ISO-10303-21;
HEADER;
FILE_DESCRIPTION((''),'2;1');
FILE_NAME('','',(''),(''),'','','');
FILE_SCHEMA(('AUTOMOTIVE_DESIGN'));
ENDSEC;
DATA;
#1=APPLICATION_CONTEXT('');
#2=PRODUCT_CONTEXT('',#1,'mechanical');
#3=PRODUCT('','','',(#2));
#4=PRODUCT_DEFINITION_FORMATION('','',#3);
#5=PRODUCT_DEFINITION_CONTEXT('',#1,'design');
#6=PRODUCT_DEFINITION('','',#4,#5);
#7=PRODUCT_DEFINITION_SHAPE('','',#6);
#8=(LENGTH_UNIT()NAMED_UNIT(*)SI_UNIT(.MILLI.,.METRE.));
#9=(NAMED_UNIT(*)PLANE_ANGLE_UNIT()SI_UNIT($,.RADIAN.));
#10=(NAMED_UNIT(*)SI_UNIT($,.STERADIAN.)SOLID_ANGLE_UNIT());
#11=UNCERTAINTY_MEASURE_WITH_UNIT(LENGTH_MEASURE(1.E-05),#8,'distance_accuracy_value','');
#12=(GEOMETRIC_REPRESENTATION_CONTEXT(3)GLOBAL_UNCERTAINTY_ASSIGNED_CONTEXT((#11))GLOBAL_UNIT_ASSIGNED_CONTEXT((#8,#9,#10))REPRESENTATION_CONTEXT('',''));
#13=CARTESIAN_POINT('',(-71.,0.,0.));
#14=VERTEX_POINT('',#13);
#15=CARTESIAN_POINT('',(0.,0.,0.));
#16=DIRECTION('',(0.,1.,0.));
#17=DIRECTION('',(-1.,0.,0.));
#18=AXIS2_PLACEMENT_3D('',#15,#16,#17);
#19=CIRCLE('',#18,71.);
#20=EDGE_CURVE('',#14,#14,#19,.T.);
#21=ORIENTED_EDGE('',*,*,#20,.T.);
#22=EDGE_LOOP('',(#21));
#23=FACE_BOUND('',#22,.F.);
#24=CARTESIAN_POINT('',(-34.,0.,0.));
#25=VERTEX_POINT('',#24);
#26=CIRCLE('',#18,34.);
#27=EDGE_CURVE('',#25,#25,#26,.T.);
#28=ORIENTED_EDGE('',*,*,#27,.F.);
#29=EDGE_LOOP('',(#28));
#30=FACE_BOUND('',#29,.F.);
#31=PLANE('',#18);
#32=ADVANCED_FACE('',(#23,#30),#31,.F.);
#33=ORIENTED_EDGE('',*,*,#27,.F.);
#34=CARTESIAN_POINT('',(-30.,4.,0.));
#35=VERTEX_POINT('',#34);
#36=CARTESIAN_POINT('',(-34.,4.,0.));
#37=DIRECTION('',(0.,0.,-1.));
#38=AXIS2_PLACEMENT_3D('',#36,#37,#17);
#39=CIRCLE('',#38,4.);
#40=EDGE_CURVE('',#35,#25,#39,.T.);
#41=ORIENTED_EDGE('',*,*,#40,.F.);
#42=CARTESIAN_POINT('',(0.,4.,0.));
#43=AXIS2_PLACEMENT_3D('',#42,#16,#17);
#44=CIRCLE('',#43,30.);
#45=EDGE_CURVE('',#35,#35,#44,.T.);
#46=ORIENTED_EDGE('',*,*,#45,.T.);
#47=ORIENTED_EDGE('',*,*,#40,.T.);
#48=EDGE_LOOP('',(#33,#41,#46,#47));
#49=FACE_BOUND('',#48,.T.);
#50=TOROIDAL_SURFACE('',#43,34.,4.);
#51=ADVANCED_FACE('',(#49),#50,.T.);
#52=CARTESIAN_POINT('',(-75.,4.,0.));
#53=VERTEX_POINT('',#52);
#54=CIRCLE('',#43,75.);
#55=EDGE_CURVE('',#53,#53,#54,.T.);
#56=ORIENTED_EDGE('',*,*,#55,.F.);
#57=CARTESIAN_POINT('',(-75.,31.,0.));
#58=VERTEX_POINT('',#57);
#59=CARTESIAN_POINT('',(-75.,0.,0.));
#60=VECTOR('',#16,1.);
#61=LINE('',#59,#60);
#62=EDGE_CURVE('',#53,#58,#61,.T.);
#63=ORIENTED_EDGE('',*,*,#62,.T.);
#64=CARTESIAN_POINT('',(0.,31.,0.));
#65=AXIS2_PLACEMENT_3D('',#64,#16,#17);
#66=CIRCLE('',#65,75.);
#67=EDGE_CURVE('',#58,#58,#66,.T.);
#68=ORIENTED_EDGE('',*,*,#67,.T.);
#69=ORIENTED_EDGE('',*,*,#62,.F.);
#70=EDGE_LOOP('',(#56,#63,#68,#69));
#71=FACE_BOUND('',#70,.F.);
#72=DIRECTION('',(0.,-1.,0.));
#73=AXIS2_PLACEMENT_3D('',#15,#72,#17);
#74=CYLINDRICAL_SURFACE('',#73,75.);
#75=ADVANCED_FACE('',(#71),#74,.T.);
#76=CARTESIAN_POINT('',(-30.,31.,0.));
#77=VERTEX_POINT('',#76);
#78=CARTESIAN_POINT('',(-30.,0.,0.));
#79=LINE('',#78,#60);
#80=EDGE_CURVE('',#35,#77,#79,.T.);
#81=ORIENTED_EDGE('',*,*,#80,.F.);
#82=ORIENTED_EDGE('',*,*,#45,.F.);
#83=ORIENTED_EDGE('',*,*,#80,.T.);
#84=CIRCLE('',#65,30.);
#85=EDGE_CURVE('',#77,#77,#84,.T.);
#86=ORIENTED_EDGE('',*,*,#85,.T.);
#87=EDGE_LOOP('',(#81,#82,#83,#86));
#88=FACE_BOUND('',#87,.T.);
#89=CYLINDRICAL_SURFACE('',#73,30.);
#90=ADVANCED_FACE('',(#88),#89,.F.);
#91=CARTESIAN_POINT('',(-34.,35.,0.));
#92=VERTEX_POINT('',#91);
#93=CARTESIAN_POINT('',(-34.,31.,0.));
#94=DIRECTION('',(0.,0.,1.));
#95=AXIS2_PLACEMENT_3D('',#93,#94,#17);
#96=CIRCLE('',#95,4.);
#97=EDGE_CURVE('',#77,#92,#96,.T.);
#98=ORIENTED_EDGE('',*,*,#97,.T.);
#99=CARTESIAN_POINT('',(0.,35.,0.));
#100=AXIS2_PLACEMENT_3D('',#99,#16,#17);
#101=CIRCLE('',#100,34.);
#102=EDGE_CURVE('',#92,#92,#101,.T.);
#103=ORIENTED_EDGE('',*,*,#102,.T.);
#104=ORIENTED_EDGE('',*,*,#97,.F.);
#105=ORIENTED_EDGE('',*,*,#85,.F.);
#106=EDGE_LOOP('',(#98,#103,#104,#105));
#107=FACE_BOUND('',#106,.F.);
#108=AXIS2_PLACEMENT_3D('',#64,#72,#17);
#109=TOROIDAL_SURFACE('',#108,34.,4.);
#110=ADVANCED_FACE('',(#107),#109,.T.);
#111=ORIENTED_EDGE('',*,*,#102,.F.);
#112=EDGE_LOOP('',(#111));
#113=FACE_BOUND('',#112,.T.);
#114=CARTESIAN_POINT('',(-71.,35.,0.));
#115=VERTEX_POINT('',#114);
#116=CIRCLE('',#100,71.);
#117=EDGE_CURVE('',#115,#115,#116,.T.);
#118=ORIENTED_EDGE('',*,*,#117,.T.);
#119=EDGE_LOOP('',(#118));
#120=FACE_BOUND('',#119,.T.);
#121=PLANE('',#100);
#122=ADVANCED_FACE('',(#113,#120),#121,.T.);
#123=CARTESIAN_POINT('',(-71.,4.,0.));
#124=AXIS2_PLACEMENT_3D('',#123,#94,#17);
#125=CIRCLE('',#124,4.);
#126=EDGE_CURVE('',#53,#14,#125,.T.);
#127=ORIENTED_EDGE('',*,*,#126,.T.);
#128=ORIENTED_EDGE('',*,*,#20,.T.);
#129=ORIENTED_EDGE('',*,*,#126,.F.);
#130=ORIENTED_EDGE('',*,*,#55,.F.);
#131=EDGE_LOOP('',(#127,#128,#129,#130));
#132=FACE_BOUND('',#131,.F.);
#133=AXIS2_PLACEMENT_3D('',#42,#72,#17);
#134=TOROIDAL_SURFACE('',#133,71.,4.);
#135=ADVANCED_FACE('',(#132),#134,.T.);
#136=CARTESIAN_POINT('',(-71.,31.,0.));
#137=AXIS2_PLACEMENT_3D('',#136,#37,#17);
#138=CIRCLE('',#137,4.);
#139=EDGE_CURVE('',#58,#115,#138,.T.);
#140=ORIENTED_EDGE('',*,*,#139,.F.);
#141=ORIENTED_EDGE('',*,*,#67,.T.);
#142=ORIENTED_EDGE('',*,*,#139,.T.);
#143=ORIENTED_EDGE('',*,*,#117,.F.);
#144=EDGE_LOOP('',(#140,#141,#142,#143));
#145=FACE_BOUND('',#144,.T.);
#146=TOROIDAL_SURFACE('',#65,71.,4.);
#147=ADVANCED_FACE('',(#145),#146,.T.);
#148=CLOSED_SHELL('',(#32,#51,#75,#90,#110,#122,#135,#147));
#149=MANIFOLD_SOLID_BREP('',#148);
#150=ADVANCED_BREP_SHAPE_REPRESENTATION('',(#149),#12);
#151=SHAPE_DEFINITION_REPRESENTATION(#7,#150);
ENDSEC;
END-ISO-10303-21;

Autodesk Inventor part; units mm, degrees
ref_plane "YZ Plane" through (0, 0, 0) normal (1, 0, 0) x (0, 1, 0)
ref_plane "XZ Plane" through (0, 0, 0) normal (0, 1, 0) x (-1, 0, 0)
ref_plane "XY Plane" through (0, 0, 0) normal (0, 0, 1) x (1, 0, 0)
sketch "Sketch1" plane through (0, 0, 0) normal (0, 1, 0) x (-1, 0, 0)
  circle A0 centre (0, 0) radius 30
  circle A1 centre (0, 0) radius 75
  dimension "d3" = 150
  dimension "d4" = 60
extrude "Extrusion1" add sketch "Sketch1" along normal blind 35
fillet "Fillet1" radius 4 4 edges at (30, 35, 0) (75, 35, 0) (30, 0, 0) (75, 0, 0)
properties part number "BigPodsipnik"
